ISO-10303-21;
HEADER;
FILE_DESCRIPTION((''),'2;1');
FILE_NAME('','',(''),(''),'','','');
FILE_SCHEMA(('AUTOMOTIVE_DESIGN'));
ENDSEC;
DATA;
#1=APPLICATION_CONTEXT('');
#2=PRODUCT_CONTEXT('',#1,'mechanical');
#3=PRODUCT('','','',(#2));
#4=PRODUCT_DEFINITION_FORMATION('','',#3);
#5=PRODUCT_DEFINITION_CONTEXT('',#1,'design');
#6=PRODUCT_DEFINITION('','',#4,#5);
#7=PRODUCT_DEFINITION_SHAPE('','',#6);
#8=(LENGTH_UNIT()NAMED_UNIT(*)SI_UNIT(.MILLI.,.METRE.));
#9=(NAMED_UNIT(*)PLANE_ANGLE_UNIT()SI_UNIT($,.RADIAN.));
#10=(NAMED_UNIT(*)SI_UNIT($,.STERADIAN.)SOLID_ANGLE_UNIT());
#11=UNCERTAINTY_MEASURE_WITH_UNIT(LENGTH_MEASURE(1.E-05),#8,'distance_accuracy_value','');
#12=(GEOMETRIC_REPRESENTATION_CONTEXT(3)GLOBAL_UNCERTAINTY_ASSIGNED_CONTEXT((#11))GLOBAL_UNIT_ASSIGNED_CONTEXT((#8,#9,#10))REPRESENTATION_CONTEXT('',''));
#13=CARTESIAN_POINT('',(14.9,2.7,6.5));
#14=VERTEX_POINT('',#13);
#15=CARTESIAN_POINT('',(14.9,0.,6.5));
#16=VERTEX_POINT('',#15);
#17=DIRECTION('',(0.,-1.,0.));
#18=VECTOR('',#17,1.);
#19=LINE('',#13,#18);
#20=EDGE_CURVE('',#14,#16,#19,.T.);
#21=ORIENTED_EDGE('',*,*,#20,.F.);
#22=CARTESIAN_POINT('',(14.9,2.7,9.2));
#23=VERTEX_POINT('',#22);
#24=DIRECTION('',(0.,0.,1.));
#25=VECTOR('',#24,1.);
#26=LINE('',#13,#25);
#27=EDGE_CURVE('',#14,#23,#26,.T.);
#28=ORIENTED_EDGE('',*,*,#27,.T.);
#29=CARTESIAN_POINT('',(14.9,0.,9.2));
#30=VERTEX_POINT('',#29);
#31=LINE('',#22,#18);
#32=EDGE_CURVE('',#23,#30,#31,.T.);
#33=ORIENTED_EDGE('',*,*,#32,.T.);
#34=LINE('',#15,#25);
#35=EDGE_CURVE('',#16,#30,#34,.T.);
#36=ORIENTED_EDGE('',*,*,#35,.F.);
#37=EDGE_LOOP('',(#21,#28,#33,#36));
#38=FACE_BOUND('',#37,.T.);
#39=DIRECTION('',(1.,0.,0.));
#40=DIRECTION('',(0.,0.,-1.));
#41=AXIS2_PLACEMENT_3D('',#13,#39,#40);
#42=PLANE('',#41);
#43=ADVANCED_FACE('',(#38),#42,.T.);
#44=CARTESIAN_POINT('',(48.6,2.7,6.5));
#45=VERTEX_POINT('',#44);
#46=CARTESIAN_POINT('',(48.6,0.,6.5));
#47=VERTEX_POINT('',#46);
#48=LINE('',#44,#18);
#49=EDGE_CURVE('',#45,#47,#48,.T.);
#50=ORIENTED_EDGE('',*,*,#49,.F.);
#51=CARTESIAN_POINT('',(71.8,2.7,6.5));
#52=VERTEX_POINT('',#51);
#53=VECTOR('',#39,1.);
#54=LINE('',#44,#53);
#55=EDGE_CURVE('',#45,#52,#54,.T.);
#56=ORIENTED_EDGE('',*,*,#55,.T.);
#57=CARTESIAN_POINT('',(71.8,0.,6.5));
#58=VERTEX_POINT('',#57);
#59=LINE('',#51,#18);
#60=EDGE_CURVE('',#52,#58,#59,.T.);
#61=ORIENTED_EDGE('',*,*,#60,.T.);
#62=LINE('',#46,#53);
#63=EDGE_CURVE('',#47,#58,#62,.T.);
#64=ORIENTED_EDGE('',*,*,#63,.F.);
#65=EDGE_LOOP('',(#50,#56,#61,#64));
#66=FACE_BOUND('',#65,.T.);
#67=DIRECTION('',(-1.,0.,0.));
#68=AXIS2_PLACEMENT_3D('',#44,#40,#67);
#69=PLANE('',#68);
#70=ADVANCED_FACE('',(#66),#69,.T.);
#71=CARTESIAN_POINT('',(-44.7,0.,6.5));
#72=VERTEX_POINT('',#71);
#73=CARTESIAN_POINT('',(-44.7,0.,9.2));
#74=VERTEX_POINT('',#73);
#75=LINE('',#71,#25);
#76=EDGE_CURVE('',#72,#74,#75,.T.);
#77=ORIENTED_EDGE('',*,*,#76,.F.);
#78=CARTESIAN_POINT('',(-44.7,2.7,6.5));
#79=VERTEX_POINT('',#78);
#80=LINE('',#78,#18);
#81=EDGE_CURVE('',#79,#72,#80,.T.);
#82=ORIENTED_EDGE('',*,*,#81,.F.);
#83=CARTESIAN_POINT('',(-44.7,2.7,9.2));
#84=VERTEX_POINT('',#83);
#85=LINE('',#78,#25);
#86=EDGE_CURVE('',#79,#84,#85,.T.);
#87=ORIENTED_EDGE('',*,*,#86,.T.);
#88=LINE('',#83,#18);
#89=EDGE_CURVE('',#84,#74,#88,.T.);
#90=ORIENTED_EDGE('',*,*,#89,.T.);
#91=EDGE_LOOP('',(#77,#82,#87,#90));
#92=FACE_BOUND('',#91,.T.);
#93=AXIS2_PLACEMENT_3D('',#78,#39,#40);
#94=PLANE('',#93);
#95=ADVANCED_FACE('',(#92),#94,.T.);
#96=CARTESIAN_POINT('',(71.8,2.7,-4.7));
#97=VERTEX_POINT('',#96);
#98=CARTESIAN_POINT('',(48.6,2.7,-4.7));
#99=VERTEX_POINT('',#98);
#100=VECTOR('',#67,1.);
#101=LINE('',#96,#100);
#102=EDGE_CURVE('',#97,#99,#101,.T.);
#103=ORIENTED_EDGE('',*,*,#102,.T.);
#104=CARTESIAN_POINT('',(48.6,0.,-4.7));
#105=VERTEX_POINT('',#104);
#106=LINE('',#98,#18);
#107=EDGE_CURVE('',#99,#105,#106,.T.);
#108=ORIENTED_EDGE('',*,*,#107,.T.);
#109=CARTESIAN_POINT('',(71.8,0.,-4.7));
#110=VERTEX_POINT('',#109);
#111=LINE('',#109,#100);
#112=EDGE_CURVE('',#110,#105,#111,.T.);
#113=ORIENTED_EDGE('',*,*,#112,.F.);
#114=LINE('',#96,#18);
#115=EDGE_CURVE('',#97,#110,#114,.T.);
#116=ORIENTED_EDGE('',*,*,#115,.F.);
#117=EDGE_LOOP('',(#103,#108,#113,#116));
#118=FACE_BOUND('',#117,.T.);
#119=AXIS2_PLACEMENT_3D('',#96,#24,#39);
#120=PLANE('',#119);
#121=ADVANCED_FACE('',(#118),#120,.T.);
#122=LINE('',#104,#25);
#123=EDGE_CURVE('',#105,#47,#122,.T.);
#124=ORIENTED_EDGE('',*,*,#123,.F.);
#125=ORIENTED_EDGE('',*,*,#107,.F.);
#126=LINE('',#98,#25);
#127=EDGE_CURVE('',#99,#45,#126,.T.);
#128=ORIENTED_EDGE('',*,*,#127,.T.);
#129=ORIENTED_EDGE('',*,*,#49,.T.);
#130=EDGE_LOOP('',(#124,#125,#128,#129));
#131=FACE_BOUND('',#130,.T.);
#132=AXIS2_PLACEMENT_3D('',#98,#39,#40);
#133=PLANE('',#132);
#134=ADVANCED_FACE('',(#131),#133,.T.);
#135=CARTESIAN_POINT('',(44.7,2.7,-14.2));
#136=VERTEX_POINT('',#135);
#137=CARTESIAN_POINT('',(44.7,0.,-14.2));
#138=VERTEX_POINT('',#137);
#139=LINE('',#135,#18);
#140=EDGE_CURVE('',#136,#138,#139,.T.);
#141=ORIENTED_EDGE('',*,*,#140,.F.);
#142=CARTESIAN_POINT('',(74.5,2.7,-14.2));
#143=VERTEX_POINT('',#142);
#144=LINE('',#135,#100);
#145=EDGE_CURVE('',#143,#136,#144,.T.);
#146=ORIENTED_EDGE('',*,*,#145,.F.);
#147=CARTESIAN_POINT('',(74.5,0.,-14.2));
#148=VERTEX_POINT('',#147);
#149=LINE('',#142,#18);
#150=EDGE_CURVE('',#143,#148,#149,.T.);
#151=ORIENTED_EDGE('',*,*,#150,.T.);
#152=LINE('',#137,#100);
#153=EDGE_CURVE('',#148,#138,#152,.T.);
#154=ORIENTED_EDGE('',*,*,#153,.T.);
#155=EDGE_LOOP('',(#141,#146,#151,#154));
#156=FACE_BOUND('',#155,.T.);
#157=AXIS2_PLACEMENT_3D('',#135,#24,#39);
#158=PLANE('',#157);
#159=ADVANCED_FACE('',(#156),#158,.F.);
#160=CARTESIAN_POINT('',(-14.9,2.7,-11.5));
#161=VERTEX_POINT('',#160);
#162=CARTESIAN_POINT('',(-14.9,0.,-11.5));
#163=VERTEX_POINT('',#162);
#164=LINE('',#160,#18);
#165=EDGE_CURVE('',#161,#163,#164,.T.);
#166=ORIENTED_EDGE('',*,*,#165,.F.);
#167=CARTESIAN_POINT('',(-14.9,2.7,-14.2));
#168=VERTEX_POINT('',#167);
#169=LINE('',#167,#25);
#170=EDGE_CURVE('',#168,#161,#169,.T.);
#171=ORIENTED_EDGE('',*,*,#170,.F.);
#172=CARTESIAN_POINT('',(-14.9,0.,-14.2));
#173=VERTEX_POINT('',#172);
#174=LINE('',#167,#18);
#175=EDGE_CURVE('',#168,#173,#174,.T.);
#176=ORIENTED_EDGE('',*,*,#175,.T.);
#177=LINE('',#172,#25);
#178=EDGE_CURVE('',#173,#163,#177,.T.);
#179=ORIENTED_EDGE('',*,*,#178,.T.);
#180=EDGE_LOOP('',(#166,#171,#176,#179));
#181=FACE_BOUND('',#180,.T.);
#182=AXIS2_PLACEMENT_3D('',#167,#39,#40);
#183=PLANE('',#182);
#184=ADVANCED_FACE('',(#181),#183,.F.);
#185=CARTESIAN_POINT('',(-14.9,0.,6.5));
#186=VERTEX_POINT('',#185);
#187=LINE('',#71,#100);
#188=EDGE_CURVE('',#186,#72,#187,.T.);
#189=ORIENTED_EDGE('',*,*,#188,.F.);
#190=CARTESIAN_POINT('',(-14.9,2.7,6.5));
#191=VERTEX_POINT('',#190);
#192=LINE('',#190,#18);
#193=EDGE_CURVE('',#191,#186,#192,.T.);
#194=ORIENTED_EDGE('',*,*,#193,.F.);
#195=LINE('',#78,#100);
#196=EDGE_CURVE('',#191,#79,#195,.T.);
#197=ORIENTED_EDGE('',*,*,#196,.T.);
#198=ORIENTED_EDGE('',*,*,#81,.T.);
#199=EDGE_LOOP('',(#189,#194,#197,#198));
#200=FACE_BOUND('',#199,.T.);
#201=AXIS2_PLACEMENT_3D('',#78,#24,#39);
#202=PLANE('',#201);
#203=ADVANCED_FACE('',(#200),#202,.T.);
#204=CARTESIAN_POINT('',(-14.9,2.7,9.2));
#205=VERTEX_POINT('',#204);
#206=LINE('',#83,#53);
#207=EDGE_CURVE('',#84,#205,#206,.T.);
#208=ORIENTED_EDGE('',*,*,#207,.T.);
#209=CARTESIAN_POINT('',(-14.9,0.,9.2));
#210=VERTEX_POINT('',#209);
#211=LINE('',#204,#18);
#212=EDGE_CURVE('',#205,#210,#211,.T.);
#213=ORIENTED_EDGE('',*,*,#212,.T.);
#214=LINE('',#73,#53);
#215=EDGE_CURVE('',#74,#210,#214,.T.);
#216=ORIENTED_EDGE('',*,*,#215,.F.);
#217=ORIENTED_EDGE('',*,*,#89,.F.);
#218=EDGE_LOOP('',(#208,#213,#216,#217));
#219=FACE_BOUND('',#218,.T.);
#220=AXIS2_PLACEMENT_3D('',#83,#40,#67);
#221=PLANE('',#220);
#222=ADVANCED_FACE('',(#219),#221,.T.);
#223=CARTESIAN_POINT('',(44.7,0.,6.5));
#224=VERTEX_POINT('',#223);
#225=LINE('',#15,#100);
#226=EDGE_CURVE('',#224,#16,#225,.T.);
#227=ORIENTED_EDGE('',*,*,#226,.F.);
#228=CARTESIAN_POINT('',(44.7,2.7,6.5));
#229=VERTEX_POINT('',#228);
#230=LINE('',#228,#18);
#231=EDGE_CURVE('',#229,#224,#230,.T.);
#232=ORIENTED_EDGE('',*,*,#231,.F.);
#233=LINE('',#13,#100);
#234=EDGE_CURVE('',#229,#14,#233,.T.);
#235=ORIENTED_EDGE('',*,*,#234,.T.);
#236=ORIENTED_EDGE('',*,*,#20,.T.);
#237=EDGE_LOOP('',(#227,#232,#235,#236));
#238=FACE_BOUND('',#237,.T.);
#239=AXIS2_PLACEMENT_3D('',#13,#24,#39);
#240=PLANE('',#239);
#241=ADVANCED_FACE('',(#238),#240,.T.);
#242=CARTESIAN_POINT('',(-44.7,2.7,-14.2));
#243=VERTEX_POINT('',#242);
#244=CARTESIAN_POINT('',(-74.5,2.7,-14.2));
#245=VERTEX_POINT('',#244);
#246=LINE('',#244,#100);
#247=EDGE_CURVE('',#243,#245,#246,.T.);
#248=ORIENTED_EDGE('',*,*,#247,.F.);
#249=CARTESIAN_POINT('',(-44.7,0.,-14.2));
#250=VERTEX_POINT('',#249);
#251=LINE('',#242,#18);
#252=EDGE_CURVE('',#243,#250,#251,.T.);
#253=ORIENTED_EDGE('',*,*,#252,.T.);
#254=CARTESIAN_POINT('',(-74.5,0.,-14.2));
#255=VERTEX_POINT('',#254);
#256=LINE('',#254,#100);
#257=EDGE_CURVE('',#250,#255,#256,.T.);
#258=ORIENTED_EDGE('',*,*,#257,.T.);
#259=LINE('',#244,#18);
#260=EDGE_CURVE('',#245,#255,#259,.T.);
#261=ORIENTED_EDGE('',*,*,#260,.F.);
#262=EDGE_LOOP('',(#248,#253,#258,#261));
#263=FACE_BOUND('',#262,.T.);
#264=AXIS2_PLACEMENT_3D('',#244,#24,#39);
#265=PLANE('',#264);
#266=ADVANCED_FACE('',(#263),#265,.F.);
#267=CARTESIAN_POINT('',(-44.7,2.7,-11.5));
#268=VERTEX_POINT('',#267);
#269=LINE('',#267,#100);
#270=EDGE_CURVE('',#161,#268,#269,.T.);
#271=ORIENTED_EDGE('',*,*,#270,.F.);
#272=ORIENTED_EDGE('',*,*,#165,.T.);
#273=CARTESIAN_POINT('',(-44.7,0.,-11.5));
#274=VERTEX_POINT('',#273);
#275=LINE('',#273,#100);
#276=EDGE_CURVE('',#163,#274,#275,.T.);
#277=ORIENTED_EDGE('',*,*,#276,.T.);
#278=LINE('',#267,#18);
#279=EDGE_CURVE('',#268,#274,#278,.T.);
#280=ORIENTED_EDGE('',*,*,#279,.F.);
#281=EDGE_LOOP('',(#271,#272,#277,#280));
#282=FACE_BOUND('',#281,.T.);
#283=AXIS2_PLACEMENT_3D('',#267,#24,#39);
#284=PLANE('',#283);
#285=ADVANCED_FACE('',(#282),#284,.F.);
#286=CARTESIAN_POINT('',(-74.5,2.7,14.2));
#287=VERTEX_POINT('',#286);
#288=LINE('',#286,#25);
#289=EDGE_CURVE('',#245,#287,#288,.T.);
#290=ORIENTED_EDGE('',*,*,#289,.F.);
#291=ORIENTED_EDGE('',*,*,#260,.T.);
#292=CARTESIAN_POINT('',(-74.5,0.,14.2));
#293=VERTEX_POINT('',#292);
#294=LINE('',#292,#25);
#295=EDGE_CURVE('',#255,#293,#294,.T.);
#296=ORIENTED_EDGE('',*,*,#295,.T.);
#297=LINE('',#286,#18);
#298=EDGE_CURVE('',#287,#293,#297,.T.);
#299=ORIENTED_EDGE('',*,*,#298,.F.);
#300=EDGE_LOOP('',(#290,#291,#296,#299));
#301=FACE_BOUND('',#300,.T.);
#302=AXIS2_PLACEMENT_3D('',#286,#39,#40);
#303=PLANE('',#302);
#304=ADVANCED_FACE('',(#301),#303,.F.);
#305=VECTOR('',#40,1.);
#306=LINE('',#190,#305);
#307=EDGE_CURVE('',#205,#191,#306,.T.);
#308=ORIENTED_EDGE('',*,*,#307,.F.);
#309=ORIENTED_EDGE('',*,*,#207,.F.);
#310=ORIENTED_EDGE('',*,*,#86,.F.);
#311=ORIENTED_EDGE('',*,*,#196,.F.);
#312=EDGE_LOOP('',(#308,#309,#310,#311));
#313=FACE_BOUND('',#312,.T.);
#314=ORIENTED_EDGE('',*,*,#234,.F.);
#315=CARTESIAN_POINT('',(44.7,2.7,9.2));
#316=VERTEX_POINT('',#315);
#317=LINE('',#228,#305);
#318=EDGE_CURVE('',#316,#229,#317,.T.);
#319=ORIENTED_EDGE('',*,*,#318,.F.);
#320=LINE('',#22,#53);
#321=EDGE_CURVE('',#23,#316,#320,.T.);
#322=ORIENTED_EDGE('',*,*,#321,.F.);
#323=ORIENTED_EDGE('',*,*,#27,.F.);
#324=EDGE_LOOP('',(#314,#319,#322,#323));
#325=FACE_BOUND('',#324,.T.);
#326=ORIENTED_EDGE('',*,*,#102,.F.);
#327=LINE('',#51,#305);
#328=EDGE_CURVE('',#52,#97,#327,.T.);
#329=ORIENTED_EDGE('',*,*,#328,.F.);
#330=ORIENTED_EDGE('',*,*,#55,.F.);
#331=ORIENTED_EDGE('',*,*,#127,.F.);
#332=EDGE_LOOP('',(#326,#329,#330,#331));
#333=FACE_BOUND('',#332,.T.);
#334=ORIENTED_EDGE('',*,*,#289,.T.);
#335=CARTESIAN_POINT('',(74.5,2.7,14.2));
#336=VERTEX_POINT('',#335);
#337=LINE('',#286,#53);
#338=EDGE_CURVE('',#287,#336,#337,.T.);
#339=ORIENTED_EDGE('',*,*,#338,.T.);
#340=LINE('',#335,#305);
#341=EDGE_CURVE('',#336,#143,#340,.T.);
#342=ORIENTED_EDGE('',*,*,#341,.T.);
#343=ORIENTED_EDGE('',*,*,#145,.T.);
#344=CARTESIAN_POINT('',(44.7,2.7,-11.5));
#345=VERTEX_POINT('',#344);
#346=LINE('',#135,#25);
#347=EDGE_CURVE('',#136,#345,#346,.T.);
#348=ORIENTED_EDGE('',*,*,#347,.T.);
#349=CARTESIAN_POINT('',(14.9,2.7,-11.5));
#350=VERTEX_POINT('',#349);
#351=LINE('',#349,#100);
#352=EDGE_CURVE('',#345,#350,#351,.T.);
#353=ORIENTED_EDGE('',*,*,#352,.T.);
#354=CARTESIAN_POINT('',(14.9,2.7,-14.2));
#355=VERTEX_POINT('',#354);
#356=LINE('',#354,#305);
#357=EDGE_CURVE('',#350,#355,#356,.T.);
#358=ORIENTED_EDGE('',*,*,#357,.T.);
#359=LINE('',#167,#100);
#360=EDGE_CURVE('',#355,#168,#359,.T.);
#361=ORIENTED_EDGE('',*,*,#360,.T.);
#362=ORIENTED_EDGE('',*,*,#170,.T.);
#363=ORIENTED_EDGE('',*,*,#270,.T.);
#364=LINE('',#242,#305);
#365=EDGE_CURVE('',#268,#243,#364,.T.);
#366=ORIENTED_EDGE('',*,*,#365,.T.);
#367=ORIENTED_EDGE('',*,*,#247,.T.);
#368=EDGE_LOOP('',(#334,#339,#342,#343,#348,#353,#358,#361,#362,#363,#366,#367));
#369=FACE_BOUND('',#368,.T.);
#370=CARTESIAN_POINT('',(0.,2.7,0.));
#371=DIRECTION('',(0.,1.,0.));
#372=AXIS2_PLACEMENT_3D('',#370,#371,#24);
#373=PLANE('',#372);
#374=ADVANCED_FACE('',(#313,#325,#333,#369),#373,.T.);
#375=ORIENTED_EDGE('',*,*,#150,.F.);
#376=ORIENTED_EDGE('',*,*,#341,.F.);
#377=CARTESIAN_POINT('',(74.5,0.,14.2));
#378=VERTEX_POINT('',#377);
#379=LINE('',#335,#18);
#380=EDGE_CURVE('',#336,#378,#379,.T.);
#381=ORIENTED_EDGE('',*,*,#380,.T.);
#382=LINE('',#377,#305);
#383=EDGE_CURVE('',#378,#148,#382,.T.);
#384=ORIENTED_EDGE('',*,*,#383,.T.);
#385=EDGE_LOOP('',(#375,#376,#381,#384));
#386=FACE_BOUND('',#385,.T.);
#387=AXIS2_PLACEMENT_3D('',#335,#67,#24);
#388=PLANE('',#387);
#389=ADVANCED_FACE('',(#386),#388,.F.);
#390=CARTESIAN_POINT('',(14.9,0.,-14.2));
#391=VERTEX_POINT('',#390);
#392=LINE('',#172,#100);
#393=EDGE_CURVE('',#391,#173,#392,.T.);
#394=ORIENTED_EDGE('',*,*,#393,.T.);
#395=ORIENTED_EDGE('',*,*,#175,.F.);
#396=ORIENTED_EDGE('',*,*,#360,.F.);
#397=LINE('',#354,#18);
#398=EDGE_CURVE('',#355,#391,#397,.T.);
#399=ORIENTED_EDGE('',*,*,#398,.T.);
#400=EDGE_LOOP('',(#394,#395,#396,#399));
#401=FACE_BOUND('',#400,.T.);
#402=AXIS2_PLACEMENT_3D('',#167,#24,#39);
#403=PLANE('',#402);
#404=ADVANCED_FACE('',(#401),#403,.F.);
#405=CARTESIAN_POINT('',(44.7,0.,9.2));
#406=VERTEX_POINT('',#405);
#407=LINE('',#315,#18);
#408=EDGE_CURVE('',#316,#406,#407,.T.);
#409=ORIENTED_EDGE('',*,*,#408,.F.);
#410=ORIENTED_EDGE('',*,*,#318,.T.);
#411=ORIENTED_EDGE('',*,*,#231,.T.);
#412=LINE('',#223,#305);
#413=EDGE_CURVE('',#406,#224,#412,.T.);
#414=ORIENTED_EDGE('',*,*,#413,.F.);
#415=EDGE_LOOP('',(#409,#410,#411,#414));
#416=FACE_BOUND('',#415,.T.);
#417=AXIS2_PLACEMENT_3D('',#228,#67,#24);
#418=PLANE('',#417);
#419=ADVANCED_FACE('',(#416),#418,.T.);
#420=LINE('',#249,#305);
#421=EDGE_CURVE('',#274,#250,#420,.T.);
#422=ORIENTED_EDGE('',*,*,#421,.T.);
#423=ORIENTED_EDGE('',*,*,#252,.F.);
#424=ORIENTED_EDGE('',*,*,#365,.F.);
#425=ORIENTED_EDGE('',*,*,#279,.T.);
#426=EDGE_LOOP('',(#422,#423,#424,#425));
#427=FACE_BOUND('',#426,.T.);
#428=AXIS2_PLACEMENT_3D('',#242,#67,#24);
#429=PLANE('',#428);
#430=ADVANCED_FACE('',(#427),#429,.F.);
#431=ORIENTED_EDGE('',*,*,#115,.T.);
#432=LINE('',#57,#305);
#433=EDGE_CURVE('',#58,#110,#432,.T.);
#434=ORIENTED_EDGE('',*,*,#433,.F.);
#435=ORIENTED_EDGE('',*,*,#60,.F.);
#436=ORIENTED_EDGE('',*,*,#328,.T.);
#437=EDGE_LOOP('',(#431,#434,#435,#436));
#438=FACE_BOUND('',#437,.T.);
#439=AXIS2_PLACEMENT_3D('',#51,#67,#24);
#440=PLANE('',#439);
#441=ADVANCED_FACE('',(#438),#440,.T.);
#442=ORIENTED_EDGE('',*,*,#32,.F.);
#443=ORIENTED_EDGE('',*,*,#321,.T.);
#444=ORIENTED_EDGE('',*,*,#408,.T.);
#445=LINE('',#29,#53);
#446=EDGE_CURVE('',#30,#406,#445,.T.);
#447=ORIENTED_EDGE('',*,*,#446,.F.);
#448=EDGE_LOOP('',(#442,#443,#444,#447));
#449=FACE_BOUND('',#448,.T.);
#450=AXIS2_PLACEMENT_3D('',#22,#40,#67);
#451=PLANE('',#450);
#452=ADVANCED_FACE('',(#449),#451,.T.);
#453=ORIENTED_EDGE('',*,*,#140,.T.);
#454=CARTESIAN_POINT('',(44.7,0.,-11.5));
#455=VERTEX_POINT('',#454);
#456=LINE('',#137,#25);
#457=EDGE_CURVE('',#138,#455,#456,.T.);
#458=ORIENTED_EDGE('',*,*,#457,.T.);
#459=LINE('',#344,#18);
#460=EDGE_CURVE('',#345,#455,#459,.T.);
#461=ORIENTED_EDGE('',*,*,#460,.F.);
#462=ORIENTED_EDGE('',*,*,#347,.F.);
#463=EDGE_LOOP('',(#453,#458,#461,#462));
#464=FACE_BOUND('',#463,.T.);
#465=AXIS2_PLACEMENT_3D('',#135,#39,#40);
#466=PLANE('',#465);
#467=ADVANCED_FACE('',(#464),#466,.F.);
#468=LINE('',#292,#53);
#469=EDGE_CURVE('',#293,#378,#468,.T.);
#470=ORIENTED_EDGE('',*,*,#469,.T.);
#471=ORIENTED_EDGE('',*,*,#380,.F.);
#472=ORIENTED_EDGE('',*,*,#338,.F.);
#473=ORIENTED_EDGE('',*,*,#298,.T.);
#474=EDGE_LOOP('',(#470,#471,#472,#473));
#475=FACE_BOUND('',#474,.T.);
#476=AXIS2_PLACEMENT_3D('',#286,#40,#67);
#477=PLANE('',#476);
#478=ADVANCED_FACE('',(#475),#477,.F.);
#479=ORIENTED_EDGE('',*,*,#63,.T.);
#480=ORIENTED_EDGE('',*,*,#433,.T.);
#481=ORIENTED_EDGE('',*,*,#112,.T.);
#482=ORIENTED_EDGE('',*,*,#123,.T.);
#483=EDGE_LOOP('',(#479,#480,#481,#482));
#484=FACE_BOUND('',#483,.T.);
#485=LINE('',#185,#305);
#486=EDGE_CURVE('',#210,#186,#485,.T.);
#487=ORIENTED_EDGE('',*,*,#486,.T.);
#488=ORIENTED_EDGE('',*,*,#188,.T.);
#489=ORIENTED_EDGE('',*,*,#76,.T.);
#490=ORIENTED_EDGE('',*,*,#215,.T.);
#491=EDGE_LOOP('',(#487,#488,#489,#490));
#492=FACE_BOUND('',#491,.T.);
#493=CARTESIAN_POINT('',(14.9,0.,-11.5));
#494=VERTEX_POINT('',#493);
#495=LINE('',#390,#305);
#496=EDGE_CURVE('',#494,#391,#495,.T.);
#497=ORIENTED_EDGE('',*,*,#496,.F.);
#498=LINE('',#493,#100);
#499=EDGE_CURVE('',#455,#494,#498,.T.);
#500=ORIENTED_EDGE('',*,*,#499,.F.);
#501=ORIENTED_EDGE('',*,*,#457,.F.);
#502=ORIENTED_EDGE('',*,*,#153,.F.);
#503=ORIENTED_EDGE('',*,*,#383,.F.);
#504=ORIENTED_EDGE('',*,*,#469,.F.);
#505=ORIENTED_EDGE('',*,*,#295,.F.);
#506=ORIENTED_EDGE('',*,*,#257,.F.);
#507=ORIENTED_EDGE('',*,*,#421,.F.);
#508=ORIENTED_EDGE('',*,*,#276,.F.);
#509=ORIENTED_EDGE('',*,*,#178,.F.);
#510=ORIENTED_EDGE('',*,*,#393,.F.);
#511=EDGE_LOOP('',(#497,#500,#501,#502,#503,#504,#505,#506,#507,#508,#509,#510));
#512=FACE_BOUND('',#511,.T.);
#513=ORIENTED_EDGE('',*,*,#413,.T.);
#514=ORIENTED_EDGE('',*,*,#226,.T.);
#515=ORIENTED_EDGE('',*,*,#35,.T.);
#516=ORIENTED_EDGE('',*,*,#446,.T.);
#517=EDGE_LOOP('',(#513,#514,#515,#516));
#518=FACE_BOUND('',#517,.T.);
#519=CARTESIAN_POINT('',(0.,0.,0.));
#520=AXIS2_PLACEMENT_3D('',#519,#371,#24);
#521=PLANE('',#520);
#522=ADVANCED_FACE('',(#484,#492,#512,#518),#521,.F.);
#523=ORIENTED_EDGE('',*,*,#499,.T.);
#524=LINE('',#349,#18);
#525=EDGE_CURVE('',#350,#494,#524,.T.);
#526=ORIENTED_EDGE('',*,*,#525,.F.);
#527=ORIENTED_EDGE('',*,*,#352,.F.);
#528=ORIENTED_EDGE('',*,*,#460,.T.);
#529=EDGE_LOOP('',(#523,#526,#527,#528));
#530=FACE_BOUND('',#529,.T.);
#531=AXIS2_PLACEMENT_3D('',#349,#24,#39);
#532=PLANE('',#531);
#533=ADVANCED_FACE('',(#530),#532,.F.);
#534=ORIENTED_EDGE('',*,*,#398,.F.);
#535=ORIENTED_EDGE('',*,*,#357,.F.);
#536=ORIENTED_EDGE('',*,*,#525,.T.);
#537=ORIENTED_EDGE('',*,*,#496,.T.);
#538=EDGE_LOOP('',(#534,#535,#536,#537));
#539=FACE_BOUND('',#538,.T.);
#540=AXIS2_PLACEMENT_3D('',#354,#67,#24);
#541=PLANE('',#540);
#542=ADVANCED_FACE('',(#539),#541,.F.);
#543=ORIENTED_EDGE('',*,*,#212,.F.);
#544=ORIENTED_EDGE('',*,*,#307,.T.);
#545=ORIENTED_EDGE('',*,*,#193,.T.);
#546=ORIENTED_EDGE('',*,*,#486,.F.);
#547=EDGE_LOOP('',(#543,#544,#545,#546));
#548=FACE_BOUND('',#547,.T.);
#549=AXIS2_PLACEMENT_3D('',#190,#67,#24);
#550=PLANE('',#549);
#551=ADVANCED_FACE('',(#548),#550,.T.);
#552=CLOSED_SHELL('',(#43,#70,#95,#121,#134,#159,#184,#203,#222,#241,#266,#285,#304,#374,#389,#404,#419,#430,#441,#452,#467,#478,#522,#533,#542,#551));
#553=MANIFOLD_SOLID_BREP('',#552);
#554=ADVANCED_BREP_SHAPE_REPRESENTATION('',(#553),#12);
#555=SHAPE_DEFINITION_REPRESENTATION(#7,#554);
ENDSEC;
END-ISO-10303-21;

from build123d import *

# Parameters (mm, degrees)
SKETCH1_W           = 29.8
SKETCH1_H           = 2.7
SKETCH1_W_2         = 23.2
SKETCH1_H_2         = 11.2
BOSS_EXTRUDE1_DEPTH = 2.7


with BuildPart() as part:
    # Sketch1 → Boss-Extrude1 (new body)
    with BuildSketch(Plane(origin=(0, 0, 0), x_dir=(1, 0, 0), z_dir=(0, 1, 0))):
        Polygon((-74.5, -14.2), (74.5, -14.2), (74.5, 14.2), (44.7, 14.2), (44.7, 11.5), (14.9, 11.5), (14.9, 14.2), (-14.9, 14.2), (-14.9, 11.5), (-44.7, 11.5), (-44.7, 14.2), (-74.5, 14.2), align=None)
        with Locations((-29.8, -7.85)):
            Rectangle(SKETCH1_W, SKETCH1_H, mode=Mode.SUBTRACT)
        with Locations((29.8, -7.85)):
            Rectangle(SKETCH1_W, SKETCH1_H, mode=Mode.SUBTRACT)
        with Locations((60.2, -0.9)):
            Rectangle(SKETCH1_W_2, SKETCH1_H_2, mode=Mode.SUBTRACT)
    extrude(amount=BOSS_EXTRUDE1_DEPTH)


solid = part.part
